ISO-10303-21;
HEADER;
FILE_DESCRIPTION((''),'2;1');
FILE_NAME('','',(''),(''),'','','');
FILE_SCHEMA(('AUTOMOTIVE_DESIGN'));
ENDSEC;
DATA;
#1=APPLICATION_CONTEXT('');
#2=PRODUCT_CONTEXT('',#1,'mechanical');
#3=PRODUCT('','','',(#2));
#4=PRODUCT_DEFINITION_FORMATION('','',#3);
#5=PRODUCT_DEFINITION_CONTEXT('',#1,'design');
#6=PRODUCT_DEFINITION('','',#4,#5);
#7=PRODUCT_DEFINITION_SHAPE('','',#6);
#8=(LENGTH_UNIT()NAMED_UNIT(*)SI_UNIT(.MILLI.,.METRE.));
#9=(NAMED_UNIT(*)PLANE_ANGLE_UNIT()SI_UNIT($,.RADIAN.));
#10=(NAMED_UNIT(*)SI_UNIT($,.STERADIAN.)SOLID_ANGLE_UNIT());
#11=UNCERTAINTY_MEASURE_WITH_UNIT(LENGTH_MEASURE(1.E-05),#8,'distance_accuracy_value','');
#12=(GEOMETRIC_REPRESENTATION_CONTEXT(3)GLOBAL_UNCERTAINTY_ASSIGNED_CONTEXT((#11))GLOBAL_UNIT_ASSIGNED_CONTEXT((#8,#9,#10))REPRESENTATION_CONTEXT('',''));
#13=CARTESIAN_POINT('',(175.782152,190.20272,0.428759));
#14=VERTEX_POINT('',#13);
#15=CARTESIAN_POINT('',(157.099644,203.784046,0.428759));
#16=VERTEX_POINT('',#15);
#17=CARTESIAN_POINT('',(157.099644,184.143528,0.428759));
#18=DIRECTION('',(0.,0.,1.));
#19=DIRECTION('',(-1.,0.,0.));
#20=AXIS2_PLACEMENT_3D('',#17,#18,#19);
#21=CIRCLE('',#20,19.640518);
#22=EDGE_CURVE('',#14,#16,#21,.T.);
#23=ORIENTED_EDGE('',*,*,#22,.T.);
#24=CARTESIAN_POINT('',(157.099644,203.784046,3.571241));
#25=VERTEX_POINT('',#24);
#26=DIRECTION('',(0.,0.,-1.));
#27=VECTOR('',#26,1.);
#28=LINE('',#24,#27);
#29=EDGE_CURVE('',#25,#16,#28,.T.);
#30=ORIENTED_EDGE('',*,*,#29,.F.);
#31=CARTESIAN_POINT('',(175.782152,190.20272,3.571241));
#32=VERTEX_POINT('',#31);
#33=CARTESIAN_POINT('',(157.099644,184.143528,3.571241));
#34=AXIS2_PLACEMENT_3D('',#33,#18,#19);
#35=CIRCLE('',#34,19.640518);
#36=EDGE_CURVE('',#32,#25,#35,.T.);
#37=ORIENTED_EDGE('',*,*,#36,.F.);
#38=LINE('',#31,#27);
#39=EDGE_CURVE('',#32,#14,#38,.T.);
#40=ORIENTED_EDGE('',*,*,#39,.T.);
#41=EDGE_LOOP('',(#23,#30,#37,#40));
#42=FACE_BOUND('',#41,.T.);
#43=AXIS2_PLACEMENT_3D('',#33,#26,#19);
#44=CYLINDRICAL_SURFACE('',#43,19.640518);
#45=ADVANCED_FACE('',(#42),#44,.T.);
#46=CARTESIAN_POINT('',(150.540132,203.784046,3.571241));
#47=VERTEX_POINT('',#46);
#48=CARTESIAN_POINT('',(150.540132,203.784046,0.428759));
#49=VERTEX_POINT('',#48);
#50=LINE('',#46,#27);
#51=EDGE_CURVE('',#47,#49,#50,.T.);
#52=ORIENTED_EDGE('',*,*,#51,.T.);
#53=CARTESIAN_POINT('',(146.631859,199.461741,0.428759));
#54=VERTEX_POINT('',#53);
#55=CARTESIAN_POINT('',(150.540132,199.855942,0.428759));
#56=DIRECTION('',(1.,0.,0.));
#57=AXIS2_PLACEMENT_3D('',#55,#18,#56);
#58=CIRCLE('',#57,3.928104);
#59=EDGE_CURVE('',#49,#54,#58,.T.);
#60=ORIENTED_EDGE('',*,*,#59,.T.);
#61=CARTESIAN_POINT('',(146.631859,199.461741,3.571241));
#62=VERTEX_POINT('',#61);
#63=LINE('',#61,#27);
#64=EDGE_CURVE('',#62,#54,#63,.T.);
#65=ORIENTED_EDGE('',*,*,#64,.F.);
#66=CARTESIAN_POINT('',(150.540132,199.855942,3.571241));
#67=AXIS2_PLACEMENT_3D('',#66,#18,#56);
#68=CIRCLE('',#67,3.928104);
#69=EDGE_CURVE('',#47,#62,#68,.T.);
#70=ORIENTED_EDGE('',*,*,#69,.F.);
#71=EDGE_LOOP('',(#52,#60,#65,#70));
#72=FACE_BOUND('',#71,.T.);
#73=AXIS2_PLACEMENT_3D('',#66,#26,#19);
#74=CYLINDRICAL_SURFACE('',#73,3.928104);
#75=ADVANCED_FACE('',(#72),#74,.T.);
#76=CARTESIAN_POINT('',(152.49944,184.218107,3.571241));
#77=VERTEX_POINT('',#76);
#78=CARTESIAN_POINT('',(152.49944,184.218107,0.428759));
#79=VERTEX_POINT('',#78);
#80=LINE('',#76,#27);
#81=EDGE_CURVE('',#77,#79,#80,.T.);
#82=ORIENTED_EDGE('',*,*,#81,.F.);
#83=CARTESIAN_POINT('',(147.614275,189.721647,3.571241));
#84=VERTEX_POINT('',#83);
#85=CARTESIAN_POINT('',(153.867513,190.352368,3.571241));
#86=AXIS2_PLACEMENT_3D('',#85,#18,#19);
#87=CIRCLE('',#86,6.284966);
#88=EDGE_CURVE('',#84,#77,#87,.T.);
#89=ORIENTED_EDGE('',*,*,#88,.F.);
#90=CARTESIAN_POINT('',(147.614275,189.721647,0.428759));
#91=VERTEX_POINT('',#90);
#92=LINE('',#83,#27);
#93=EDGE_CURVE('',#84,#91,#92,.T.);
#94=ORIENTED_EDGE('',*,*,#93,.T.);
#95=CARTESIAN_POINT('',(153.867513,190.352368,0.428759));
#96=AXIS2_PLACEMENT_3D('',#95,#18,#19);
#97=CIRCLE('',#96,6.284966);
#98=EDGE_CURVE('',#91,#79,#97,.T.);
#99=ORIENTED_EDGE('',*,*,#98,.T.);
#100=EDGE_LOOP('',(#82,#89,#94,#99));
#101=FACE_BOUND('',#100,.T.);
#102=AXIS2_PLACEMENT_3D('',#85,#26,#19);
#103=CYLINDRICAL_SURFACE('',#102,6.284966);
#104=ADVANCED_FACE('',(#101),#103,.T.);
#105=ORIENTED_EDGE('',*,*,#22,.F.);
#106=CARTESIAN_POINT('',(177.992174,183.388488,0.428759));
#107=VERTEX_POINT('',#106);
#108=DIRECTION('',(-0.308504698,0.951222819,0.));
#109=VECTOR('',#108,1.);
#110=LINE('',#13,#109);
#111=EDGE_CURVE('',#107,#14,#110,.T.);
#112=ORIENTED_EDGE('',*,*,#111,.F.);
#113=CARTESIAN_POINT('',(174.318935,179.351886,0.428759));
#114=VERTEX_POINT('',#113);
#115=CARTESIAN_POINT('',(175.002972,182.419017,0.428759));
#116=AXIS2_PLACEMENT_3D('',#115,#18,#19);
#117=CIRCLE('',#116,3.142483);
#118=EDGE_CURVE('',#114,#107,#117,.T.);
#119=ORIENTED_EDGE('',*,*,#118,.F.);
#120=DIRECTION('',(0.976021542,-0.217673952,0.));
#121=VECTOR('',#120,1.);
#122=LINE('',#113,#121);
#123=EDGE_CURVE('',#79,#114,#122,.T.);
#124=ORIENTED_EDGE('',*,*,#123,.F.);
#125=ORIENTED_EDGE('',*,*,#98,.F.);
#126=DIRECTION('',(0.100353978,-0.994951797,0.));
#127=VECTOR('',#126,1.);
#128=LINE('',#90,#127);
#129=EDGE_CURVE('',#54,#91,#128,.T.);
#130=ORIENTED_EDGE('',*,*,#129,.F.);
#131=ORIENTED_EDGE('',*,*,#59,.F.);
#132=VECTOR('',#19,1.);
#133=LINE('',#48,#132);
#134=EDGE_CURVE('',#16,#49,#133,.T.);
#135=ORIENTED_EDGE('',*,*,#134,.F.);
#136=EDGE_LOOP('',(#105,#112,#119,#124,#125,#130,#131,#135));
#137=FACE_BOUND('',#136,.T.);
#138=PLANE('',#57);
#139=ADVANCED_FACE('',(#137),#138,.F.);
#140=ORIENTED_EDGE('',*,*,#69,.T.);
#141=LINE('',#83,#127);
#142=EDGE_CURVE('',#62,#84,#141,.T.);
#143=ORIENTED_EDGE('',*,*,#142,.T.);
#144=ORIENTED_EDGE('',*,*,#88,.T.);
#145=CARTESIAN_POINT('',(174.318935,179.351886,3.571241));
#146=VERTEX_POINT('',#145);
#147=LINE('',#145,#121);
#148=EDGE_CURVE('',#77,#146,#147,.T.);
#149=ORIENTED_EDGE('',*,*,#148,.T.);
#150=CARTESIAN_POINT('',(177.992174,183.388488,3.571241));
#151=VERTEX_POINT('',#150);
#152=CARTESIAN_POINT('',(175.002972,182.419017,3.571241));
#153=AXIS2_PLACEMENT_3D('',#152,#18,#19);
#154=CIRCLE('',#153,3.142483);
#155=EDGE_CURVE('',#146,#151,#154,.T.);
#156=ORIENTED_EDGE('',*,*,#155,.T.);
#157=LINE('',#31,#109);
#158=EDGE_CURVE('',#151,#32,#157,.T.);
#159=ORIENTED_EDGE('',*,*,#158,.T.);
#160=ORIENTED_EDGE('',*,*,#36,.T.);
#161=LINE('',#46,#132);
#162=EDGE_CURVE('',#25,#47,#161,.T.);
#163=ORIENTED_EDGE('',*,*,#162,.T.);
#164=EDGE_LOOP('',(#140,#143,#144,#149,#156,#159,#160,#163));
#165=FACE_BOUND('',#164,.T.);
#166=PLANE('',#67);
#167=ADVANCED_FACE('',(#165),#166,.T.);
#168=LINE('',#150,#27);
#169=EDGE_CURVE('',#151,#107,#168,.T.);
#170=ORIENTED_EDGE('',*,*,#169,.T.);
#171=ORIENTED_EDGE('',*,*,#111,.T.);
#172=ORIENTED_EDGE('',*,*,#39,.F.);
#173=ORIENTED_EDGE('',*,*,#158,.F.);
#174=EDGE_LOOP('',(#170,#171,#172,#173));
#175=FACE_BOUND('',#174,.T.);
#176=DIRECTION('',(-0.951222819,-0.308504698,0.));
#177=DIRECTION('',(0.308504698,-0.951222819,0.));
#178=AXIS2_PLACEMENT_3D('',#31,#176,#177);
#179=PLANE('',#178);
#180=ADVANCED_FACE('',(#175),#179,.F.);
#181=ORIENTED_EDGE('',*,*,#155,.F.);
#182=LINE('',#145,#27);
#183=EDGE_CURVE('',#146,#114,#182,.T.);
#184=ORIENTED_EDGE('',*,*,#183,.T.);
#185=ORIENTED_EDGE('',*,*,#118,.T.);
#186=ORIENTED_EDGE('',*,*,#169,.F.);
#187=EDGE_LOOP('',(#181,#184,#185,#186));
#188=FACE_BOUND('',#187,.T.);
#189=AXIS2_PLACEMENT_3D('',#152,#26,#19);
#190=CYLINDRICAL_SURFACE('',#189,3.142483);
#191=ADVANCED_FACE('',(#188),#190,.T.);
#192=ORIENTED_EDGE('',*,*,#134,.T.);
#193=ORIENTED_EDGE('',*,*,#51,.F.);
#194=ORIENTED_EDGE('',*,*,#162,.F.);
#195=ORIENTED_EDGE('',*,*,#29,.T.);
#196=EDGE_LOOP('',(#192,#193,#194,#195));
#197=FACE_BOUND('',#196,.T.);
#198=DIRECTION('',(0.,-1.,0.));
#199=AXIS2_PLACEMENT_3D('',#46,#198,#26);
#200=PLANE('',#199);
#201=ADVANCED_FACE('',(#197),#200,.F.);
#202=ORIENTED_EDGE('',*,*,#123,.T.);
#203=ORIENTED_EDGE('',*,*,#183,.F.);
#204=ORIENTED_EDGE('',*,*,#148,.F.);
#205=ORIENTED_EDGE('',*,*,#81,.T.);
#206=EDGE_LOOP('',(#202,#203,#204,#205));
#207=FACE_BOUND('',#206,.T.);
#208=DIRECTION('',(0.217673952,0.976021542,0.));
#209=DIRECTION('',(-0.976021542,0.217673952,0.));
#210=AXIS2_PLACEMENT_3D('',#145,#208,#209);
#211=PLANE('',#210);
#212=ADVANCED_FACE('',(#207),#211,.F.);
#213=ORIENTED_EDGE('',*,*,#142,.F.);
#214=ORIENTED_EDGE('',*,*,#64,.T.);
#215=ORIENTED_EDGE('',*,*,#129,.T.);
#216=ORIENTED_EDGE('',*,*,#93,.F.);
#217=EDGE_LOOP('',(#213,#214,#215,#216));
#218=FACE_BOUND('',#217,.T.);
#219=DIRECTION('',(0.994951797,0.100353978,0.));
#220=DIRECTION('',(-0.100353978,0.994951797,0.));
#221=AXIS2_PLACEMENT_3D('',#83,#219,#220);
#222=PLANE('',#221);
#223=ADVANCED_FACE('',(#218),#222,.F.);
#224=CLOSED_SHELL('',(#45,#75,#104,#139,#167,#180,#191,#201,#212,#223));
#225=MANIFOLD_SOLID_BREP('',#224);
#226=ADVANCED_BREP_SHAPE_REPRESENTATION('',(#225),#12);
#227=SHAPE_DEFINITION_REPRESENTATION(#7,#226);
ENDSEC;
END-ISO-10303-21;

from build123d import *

# Parameters (mm, degrees)
BOSS_EXTRUDE1_DEPTH = 4
SCALE1_SCALE        = 0.709677419
SCALE2_SCALE        = 1.107011


with BuildPart() as part:
    # Sketch1 → Boss-Extrude1 (new body)
    with BuildSketch(Plane.XY):
        with BuildLine():
            Line((147.518542688, 207.036750067), (155.868006274, 207.036750067))
            ThreePointArc((155.868006274, 207.036750067), (170.568083888, 202.258216832), (179.648576747, 189.749367518))
            Line((179.648576747, 189.749367518), (182.461666016, 181.075675605))
            ThreePointArc((182.461666016, 181.075675605), (181.615221362, 177.149521305), (177.786078934, 175.937570644))
            Line((177.786078934, 175.937570644), (150.012503839, 182.131679667))
            ThreePointArc((150.012503839, 182.131679667), (145.770913066, 184.629115543), (143.794281074, 189.137020178))
            Line((143.794281074, 189.137020178), (142.543783701, 201.534980175))
            ThreePointArc((142.543783701, 201.534980175), (143.809846862, 205.390192369), (147.518542688, 207.036750067))
        make_face()
    extrude(amount=BOSS_EXTRUDE1_DEPTH)


with BuildPart() as part_1:
    # Scale1: scaled about (161.61313874, 191.864088439, 2)
    add(part.part.scale(SCALE1_SCALE).moved(Location((46.919943505, 55.702477289, 0.580645161))))


with BuildPart() as part_2:
    # Scale2: scaled about (161.61313874, 191.864088439, 2)
    add(part_1.part.scale(SCALE2_SCALE).moved(Location((-17.29438359, -20.531567968, -0.214022))))


solid = part_2.part
